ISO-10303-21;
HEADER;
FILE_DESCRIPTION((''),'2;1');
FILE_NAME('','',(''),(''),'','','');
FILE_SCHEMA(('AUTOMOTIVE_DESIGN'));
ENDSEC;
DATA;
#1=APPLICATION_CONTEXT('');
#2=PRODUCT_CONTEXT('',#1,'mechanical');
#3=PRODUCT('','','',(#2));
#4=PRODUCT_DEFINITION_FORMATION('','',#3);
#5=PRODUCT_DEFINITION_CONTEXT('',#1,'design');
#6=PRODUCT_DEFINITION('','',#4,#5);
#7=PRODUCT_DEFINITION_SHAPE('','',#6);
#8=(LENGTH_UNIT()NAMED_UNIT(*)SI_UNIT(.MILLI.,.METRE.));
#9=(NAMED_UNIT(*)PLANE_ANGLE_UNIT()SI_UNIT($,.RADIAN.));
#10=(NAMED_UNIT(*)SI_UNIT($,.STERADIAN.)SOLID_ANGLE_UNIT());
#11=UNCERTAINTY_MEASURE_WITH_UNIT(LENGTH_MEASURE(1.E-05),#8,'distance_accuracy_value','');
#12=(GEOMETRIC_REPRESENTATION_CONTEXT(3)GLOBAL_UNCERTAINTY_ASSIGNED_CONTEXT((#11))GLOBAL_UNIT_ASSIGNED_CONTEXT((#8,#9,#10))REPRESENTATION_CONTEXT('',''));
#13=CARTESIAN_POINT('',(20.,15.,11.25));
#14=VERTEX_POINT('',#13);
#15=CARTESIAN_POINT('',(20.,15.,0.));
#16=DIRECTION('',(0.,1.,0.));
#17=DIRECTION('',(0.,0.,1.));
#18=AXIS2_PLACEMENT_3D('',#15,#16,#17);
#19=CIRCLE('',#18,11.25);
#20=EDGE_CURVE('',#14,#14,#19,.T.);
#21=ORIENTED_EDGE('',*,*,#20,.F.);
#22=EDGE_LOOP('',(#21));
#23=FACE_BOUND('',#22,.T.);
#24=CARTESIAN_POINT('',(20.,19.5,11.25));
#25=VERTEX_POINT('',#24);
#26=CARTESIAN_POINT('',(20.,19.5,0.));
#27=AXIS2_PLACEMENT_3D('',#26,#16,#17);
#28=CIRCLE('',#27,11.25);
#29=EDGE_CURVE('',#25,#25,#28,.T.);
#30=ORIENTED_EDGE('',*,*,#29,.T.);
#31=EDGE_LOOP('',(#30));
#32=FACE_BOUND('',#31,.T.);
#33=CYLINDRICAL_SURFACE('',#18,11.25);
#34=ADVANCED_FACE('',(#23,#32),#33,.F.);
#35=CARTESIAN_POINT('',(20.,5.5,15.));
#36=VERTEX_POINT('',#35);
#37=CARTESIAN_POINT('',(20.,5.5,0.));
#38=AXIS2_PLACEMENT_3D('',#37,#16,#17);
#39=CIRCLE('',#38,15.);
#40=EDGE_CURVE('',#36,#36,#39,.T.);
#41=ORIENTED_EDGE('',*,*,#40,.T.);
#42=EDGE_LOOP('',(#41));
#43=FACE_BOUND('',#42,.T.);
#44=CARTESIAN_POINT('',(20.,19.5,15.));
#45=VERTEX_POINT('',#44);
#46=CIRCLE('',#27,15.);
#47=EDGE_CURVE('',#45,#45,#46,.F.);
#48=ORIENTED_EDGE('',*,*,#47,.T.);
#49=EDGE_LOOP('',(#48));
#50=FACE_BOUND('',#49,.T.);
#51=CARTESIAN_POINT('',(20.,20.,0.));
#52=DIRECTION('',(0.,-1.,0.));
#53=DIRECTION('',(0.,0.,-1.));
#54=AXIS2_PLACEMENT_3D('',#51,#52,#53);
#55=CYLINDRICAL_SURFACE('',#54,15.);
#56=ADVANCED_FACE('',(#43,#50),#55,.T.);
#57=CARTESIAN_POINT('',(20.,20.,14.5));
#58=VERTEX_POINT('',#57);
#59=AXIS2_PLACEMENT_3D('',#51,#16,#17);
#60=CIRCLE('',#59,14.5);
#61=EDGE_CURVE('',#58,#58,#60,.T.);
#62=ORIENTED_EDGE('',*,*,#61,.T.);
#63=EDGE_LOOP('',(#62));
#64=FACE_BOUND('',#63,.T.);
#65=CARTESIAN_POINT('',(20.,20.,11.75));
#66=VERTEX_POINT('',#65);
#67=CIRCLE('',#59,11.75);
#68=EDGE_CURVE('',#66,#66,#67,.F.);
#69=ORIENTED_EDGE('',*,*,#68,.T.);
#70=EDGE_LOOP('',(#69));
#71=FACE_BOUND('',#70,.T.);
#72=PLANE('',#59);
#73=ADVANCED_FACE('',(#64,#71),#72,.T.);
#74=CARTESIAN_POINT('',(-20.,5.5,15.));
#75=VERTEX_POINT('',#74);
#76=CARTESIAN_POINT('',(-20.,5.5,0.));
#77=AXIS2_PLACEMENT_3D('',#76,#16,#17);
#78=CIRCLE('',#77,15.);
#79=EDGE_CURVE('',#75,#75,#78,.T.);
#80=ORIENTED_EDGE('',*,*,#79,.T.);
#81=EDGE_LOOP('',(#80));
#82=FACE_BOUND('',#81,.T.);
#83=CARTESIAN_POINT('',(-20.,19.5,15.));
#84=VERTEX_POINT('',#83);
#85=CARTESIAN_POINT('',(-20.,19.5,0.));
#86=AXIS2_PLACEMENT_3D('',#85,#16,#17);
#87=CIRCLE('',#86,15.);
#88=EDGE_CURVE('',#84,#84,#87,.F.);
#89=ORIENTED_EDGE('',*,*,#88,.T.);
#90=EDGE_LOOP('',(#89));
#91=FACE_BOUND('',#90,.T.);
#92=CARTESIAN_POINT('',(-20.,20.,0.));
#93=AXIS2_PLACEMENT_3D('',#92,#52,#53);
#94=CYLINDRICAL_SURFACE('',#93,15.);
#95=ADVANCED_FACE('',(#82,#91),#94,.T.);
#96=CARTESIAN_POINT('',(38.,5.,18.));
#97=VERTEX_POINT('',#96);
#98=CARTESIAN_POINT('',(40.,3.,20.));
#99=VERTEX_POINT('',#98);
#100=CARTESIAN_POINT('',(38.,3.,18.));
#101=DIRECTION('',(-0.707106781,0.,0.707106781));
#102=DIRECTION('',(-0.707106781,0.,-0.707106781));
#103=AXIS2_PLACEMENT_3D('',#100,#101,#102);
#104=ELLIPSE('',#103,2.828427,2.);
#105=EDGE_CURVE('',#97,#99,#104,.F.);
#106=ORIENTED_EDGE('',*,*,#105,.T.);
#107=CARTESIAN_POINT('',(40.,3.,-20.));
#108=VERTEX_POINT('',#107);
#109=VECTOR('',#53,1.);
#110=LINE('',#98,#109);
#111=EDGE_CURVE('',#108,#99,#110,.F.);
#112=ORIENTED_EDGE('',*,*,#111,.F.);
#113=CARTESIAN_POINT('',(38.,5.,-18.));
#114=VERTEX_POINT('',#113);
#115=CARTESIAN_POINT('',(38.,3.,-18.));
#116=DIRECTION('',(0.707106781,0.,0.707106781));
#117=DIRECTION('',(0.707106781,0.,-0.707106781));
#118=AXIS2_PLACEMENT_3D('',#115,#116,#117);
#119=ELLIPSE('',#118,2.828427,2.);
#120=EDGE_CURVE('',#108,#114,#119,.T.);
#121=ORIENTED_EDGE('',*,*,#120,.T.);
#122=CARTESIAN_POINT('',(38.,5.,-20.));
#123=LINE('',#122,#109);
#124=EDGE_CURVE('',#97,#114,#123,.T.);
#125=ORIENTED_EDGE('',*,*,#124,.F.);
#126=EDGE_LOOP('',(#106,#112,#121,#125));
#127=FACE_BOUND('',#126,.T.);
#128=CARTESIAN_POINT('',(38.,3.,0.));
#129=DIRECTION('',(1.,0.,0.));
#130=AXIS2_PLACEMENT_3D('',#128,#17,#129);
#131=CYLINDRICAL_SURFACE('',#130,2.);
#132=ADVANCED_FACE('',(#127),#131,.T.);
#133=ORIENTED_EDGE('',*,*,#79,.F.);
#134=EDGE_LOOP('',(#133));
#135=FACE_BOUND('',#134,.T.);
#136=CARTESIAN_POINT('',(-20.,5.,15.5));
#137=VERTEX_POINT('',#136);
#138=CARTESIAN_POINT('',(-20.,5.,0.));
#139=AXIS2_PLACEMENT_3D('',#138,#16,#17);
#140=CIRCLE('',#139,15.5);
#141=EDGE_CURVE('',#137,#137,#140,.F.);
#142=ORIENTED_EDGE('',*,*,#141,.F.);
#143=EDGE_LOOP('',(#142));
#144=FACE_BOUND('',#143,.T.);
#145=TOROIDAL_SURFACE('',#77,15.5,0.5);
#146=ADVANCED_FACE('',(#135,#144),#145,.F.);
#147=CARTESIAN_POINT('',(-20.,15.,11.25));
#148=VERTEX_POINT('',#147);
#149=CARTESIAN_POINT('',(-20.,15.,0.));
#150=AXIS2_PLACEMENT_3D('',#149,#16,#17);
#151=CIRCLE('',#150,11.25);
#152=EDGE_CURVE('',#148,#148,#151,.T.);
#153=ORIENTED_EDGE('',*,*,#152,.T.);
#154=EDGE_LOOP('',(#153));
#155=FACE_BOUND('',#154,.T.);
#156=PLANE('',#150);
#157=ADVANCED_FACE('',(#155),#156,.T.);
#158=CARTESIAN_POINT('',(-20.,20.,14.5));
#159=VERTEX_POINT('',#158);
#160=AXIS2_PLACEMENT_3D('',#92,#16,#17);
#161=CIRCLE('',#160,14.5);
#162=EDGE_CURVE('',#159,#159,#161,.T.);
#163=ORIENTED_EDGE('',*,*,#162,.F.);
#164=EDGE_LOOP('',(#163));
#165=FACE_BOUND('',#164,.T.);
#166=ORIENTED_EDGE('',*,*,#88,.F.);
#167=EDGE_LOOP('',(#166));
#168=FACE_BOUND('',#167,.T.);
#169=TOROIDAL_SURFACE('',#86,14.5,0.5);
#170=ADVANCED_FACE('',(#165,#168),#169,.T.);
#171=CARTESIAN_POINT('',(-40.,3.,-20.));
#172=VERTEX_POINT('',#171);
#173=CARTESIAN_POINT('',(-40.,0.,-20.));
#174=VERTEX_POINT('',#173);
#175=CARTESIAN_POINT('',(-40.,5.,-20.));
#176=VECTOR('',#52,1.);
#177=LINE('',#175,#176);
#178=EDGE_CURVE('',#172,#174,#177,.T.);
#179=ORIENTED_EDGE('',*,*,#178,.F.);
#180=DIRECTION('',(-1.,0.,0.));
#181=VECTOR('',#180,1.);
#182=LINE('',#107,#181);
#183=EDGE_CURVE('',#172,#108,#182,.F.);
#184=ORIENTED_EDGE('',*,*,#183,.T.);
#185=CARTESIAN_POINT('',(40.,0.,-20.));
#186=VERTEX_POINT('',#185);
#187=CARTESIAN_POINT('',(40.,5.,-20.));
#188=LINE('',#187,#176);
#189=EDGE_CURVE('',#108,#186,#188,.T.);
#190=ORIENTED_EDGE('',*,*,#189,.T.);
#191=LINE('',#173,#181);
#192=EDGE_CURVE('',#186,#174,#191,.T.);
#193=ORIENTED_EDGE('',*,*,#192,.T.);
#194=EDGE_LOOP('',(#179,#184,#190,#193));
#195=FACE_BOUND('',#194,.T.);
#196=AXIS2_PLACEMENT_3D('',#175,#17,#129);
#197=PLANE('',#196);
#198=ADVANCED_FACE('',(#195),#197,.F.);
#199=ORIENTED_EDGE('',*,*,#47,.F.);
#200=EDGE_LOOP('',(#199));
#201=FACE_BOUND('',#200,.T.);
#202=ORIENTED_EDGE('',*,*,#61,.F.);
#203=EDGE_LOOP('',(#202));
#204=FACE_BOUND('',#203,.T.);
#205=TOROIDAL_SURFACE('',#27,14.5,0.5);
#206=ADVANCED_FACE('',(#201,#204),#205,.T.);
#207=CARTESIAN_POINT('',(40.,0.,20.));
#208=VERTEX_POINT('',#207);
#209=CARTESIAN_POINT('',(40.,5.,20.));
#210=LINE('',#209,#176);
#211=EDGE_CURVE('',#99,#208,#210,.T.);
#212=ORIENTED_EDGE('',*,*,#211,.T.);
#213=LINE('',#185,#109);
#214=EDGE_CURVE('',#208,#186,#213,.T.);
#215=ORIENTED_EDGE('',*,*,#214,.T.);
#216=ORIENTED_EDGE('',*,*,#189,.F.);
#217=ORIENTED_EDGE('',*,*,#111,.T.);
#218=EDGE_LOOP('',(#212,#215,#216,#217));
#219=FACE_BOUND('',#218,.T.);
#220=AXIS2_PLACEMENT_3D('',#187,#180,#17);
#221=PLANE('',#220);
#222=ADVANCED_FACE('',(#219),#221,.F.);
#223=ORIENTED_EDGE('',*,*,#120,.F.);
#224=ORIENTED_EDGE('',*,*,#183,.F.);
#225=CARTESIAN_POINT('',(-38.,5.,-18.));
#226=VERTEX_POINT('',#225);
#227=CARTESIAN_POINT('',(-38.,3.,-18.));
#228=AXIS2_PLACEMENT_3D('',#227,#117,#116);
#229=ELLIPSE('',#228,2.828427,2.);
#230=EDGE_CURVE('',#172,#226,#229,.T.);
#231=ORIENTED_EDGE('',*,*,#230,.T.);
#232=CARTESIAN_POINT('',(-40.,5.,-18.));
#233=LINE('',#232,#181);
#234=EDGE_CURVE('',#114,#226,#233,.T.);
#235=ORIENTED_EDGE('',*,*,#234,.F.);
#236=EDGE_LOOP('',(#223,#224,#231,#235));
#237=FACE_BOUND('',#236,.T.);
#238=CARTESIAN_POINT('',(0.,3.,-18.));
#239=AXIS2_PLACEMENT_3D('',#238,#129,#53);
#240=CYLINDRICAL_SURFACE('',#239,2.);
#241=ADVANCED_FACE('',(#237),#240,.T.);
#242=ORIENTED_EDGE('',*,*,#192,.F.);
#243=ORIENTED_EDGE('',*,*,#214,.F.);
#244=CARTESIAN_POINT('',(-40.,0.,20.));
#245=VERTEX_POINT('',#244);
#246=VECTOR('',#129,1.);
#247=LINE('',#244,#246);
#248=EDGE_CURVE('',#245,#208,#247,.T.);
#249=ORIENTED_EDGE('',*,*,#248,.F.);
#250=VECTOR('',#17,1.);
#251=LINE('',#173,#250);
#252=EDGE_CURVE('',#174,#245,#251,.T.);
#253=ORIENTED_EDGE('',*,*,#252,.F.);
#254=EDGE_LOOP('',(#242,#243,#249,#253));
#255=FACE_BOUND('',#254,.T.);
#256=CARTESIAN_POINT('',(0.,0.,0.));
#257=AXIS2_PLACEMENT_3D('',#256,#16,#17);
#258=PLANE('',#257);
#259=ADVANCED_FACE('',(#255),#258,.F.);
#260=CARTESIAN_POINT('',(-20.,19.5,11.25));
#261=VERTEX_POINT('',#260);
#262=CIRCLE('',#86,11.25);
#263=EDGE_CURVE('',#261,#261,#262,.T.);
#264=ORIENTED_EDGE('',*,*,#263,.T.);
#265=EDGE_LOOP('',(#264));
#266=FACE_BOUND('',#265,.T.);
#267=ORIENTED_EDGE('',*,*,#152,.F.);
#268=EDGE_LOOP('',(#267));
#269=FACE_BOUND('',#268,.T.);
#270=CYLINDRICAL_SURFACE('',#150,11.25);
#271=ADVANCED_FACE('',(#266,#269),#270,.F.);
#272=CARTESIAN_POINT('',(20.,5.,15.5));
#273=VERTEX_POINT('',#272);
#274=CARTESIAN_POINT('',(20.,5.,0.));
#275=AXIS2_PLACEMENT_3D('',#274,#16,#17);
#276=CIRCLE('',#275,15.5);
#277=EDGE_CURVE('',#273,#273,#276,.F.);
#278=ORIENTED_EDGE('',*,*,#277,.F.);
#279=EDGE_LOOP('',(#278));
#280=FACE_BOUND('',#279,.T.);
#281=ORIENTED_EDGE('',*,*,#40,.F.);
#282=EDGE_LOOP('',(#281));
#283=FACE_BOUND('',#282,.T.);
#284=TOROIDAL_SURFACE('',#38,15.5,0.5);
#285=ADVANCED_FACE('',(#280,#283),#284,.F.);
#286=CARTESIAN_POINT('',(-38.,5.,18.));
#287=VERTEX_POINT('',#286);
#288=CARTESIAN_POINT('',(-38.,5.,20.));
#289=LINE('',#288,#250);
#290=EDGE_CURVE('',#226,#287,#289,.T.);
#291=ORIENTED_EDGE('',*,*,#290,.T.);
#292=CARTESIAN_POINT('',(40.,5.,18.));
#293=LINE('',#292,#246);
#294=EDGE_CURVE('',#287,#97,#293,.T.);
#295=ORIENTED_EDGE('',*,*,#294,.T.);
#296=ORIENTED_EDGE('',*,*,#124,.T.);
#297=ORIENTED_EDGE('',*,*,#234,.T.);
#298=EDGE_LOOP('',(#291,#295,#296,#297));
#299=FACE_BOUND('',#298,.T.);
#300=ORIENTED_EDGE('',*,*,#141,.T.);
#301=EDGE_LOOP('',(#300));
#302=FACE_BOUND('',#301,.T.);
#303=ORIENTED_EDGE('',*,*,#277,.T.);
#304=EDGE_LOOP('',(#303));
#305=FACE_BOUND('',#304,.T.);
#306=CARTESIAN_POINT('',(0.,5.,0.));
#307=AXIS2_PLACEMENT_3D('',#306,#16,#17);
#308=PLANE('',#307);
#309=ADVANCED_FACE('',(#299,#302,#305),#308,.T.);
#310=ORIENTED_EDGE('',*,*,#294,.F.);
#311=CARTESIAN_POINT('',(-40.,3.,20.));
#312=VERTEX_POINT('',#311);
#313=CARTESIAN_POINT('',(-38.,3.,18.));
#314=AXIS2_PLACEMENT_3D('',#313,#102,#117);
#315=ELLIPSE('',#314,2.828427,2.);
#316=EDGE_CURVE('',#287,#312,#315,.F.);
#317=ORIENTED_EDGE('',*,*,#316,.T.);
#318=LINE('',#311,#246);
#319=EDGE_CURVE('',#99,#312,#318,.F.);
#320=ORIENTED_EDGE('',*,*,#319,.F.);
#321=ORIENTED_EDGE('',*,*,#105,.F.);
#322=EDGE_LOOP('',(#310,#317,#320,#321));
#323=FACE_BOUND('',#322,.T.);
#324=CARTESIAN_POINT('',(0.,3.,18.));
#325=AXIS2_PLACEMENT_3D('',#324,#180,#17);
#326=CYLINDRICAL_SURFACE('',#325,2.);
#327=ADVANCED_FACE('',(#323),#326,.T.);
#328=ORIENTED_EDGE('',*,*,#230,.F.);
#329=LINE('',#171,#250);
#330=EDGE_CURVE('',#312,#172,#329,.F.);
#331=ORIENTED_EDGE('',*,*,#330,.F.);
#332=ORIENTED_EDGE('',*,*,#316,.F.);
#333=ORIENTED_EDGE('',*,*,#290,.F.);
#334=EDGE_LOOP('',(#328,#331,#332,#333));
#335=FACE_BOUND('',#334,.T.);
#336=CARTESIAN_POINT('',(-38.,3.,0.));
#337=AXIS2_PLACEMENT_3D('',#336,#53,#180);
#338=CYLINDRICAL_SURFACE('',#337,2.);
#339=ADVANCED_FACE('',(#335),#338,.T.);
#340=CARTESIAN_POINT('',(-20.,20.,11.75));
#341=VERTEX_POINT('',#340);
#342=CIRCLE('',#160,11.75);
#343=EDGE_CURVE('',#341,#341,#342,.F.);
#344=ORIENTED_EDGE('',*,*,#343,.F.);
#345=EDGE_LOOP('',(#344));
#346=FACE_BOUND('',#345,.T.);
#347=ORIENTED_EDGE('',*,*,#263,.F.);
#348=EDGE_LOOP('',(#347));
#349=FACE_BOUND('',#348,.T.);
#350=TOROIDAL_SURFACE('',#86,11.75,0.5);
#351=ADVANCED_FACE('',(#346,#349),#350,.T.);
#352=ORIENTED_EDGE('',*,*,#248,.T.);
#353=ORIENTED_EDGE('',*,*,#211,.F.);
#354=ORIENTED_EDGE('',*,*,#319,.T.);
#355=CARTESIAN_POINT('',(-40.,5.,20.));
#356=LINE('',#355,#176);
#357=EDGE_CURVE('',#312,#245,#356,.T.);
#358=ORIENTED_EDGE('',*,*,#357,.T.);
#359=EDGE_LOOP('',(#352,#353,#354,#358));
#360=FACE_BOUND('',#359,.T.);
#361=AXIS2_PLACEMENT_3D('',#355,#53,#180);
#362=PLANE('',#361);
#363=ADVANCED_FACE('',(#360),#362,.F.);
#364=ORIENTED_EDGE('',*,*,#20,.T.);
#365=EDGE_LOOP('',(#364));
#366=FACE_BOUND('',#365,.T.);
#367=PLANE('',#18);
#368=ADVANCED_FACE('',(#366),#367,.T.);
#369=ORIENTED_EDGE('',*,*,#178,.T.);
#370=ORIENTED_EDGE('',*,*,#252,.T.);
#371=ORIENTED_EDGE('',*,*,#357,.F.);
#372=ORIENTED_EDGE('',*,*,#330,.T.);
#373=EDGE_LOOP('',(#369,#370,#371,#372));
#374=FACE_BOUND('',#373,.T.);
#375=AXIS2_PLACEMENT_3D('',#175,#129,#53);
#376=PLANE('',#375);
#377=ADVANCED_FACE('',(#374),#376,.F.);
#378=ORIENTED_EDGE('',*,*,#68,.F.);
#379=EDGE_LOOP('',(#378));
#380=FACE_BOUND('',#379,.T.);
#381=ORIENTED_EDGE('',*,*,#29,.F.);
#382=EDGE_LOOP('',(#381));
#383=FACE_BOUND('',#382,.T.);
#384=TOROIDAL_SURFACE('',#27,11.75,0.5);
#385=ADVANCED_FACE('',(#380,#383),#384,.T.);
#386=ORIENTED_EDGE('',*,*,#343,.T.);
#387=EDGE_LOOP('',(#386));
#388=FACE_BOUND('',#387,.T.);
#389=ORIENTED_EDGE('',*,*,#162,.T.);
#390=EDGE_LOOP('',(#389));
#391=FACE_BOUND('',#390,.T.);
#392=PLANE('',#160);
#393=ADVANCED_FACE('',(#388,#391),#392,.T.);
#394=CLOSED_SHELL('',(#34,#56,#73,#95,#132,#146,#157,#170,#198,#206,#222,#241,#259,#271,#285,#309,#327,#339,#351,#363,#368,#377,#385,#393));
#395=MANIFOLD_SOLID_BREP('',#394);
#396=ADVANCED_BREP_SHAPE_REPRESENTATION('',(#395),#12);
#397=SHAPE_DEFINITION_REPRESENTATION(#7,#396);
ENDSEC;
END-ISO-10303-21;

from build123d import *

# Parameters (mm, degrees)
SKETCH1_W           = 80
SKETCH1_H           = 40
BOSS_EXTRUDE1_DEPTH = 5
SKETCH2_R           = 15
BOSS_EXTRUDE2_DEPTH = 15
SKETCH3_R           = 11.25
CUT_EXTRUDE1_DEPTH  = 5
FILLET1_R           = 2
FILLET2_R           = 0.5


with BuildPart() as part:
    # Sketch1 → Boss-Extrude1 (new body)
    with BuildSketch(Plane(origin=(0, 0, 0), x_dir=(1, 0, 0), z_dir=(0, 1, 0))):
        Rectangle(SKETCH1_W, SKETCH1_H)
    extrude(amount=BOSS_EXTRUDE1_DEPTH)

    # Sketch2 → Boss-Extrude2 (add)
    with BuildSketch(Plane(origin=(0, 5, 0), x_dir=(1, 0, 0), z_dir=(0, 1, 0))):
        with Locations((-20, 0)):
            Circle(SKETCH2_R)
        with Locations((20, 0)):
            Circle(SKETCH2_R)
    extrude(amount=BOSS_EXTRUDE2_DEPTH)

    # Sketch3 → Cut-Extrude1 (cut)
    with BuildSketch(Plane(origin=(0, 20, 0), x_dir=(1, 0, 0), z_dir=(0, 1, 0))):
        with Locations((-20, 0)):
            Circle(SKETCH3_R)
        with Locations((20, 0)):
            Circle(SKETCH3_R)
    extrude(amount=-CUT_EXTRUDE1_DEPTH, mode=Mode.SUBTRACT)

    # Fillet1
    fillet1_edges = [part.edges().sort_by_distance(p)[0] for p in [
        (-40, 5, 0),
        (0, 5, 20),
        (40, 5, 0),
        (0, 5, -20),
    ]]
    fillet(fillet1_edges, radius=FILLET1_R)

    # Fillet2
    fillet2_edges = [part.edges().sort_by_distance(p)[0] for p in [
        (-35, 5, 0),
        (-35, 20, 0),
        (5, 5, 0),
        (5, 20, 0),
        (-31.25, 20, 0),
        (8.75, 20, 0),
    ]]
    fillet(fillet2_edges, radius=FILLET2_R)


solid = part.part
